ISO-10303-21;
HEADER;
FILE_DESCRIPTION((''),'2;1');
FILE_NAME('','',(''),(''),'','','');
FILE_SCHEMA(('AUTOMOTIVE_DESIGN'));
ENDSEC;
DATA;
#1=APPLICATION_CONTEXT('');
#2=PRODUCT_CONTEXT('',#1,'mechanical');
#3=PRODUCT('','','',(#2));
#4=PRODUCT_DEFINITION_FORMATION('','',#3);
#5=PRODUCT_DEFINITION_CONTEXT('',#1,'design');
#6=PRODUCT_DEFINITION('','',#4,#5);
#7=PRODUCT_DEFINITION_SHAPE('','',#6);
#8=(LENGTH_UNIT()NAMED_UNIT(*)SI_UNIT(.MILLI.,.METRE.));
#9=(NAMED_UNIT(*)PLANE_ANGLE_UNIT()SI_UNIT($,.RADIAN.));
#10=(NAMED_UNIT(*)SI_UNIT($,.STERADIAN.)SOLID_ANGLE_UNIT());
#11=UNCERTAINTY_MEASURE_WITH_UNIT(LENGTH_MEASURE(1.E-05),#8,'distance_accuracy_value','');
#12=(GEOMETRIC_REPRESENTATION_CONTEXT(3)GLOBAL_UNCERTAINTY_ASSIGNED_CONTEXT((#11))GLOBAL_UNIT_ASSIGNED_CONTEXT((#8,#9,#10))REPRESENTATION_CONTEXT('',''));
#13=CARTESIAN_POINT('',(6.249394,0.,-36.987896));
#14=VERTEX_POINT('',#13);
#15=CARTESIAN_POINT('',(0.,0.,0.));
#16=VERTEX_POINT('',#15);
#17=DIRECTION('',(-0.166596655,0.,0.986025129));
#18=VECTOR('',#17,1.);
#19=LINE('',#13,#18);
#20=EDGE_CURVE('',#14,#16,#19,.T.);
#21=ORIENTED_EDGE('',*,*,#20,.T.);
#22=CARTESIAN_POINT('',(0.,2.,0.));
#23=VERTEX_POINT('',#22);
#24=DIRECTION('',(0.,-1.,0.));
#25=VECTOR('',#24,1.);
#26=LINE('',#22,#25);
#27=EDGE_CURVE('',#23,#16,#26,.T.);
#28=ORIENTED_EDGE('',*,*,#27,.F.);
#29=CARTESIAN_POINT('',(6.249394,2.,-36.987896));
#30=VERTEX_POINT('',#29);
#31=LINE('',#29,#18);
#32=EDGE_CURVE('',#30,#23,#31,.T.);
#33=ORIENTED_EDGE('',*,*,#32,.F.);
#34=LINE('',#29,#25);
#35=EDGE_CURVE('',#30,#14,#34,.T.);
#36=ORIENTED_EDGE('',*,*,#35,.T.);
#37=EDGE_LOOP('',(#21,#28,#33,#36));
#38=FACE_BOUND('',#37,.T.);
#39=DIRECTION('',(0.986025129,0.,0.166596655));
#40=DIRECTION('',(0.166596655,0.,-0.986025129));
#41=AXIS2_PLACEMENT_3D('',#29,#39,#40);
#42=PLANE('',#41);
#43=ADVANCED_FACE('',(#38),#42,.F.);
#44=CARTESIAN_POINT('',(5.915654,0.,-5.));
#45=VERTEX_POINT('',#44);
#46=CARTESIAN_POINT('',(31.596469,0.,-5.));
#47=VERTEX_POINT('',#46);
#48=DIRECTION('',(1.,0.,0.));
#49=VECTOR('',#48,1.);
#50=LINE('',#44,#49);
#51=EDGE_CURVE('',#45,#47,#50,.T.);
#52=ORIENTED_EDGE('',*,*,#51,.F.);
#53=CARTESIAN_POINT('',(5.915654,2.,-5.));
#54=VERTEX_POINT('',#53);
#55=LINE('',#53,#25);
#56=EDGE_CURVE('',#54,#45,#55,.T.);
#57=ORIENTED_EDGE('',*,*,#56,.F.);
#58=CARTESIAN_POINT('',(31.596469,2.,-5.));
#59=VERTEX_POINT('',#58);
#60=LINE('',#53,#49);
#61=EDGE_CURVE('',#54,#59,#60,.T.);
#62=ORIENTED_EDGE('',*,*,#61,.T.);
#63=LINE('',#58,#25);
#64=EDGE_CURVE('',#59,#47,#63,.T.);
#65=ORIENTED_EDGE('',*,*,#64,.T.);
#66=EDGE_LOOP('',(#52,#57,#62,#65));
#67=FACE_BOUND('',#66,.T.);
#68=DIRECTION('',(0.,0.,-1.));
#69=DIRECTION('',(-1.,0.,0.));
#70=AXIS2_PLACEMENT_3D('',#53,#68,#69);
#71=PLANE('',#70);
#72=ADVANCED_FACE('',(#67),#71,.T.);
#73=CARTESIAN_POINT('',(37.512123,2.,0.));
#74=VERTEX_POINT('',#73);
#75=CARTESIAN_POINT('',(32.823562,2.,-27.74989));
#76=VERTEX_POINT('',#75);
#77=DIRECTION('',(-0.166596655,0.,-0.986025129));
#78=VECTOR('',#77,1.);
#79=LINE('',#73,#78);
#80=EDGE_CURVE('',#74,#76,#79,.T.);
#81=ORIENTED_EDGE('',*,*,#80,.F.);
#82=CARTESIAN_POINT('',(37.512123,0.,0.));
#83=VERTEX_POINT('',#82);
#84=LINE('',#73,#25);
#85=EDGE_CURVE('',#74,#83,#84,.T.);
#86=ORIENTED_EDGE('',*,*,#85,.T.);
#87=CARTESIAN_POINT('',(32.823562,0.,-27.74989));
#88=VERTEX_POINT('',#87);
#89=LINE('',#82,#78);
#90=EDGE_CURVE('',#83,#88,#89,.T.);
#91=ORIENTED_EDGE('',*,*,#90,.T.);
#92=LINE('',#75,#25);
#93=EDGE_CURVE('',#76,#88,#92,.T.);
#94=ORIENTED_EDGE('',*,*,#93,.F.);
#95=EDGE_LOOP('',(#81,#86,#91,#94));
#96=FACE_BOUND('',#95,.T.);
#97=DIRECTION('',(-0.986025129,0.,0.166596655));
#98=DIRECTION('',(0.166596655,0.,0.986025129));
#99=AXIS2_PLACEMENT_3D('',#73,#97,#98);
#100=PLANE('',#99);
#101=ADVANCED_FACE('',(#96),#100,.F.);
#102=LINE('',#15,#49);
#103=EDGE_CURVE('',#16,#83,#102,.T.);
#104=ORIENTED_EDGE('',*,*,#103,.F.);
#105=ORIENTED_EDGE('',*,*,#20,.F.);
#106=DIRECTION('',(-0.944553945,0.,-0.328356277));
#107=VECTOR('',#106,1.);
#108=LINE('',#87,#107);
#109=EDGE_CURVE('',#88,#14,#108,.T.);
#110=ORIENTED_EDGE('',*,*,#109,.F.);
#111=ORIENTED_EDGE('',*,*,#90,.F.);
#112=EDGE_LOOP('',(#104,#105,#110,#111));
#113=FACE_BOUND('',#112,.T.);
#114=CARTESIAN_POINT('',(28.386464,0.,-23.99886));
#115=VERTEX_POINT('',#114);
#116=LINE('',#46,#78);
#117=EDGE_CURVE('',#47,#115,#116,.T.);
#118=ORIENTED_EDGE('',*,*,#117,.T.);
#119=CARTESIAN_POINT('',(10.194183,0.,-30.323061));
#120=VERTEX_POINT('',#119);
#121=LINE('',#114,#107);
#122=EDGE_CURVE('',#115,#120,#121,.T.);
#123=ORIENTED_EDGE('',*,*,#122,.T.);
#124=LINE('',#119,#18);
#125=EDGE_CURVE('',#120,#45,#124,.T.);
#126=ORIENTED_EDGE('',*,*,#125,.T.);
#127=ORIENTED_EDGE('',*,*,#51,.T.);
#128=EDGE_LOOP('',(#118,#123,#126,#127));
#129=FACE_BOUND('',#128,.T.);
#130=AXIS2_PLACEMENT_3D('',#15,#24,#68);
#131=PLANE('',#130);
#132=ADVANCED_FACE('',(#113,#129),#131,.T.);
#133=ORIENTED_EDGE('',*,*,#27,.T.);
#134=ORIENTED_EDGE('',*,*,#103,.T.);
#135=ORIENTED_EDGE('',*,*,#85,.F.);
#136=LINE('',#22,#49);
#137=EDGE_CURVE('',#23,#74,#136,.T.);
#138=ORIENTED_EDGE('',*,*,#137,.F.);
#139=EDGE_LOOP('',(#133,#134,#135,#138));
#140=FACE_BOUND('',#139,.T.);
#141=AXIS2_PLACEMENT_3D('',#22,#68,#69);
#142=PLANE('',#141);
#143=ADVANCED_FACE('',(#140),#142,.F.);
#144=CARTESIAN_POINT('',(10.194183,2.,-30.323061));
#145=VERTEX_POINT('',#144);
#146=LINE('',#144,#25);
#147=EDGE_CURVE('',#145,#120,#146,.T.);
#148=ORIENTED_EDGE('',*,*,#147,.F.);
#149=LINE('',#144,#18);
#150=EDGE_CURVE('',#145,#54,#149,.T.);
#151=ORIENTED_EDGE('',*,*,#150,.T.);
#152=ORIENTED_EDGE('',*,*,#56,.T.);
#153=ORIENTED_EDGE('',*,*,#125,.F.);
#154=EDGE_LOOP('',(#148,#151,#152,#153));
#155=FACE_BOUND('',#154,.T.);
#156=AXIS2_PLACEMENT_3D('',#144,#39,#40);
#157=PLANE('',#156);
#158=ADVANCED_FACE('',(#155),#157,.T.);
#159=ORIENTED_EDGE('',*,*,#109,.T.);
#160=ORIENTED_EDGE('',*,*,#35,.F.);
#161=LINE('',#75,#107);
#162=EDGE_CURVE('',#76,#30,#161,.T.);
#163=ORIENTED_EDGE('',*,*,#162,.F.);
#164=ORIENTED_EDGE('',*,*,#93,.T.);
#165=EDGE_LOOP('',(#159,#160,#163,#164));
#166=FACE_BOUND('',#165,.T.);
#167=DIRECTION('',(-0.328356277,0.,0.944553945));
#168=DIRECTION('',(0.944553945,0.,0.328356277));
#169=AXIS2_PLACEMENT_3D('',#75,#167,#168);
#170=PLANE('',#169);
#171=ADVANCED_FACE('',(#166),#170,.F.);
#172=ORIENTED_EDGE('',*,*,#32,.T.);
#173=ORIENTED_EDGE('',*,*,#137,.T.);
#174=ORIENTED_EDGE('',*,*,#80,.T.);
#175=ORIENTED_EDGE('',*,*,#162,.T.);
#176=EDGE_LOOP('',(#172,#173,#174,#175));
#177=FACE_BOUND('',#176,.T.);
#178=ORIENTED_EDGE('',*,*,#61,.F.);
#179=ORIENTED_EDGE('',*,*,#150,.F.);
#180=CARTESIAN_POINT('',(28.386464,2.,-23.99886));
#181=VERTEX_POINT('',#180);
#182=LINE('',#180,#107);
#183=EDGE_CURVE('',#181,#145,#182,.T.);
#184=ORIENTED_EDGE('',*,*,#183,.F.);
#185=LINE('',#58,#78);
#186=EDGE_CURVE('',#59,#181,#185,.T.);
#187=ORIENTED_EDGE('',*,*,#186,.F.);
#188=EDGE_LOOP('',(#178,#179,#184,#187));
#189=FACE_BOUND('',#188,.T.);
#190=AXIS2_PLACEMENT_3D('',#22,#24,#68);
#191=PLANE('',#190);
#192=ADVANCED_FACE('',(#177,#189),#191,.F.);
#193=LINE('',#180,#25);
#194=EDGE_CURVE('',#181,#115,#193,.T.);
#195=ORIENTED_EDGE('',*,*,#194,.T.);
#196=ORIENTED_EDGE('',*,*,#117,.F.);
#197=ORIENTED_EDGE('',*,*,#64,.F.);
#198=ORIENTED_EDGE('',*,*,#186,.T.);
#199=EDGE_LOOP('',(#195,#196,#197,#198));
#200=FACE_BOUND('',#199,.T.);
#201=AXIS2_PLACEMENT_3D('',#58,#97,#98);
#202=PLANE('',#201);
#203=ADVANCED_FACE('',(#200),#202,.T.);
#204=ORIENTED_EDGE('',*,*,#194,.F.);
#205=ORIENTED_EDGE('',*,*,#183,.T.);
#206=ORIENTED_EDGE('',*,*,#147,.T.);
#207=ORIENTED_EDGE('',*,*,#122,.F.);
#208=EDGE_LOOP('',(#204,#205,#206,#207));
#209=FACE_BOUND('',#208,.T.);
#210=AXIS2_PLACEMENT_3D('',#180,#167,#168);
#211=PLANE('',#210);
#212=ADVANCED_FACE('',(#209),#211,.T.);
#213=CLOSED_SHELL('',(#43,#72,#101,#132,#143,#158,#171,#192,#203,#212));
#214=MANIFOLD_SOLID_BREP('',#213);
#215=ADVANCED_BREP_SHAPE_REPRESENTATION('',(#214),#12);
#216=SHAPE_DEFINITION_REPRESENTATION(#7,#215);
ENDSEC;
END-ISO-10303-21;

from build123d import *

# Parameters (mm, degrees)
BOSS_EXTRUDE1_DEPTH = 2


with BuildPart() as part:
    # Sketch1 → Boss-Extrude1 (new body)
    with BuildSketch(Plane(origin=(0, 0, 0), x_dir=(1, 0, 0), z_dir=(0, 1, 0))):
        Polygon((0, 0), (37.51212321, 0), (32.823562265, 27.749890282), (6.249394264, 36.987896116), align=None)
        Polygon((10.19418297, 30.323061182), (5.915653777, 5), (31.596469433, 5), (28.386463539, 23.998859649), align=None, mode=Mode.SUBTRACT)
    extrude(amount=BOSS_EXTRUDE1_DEPTH)


solid = part.part
